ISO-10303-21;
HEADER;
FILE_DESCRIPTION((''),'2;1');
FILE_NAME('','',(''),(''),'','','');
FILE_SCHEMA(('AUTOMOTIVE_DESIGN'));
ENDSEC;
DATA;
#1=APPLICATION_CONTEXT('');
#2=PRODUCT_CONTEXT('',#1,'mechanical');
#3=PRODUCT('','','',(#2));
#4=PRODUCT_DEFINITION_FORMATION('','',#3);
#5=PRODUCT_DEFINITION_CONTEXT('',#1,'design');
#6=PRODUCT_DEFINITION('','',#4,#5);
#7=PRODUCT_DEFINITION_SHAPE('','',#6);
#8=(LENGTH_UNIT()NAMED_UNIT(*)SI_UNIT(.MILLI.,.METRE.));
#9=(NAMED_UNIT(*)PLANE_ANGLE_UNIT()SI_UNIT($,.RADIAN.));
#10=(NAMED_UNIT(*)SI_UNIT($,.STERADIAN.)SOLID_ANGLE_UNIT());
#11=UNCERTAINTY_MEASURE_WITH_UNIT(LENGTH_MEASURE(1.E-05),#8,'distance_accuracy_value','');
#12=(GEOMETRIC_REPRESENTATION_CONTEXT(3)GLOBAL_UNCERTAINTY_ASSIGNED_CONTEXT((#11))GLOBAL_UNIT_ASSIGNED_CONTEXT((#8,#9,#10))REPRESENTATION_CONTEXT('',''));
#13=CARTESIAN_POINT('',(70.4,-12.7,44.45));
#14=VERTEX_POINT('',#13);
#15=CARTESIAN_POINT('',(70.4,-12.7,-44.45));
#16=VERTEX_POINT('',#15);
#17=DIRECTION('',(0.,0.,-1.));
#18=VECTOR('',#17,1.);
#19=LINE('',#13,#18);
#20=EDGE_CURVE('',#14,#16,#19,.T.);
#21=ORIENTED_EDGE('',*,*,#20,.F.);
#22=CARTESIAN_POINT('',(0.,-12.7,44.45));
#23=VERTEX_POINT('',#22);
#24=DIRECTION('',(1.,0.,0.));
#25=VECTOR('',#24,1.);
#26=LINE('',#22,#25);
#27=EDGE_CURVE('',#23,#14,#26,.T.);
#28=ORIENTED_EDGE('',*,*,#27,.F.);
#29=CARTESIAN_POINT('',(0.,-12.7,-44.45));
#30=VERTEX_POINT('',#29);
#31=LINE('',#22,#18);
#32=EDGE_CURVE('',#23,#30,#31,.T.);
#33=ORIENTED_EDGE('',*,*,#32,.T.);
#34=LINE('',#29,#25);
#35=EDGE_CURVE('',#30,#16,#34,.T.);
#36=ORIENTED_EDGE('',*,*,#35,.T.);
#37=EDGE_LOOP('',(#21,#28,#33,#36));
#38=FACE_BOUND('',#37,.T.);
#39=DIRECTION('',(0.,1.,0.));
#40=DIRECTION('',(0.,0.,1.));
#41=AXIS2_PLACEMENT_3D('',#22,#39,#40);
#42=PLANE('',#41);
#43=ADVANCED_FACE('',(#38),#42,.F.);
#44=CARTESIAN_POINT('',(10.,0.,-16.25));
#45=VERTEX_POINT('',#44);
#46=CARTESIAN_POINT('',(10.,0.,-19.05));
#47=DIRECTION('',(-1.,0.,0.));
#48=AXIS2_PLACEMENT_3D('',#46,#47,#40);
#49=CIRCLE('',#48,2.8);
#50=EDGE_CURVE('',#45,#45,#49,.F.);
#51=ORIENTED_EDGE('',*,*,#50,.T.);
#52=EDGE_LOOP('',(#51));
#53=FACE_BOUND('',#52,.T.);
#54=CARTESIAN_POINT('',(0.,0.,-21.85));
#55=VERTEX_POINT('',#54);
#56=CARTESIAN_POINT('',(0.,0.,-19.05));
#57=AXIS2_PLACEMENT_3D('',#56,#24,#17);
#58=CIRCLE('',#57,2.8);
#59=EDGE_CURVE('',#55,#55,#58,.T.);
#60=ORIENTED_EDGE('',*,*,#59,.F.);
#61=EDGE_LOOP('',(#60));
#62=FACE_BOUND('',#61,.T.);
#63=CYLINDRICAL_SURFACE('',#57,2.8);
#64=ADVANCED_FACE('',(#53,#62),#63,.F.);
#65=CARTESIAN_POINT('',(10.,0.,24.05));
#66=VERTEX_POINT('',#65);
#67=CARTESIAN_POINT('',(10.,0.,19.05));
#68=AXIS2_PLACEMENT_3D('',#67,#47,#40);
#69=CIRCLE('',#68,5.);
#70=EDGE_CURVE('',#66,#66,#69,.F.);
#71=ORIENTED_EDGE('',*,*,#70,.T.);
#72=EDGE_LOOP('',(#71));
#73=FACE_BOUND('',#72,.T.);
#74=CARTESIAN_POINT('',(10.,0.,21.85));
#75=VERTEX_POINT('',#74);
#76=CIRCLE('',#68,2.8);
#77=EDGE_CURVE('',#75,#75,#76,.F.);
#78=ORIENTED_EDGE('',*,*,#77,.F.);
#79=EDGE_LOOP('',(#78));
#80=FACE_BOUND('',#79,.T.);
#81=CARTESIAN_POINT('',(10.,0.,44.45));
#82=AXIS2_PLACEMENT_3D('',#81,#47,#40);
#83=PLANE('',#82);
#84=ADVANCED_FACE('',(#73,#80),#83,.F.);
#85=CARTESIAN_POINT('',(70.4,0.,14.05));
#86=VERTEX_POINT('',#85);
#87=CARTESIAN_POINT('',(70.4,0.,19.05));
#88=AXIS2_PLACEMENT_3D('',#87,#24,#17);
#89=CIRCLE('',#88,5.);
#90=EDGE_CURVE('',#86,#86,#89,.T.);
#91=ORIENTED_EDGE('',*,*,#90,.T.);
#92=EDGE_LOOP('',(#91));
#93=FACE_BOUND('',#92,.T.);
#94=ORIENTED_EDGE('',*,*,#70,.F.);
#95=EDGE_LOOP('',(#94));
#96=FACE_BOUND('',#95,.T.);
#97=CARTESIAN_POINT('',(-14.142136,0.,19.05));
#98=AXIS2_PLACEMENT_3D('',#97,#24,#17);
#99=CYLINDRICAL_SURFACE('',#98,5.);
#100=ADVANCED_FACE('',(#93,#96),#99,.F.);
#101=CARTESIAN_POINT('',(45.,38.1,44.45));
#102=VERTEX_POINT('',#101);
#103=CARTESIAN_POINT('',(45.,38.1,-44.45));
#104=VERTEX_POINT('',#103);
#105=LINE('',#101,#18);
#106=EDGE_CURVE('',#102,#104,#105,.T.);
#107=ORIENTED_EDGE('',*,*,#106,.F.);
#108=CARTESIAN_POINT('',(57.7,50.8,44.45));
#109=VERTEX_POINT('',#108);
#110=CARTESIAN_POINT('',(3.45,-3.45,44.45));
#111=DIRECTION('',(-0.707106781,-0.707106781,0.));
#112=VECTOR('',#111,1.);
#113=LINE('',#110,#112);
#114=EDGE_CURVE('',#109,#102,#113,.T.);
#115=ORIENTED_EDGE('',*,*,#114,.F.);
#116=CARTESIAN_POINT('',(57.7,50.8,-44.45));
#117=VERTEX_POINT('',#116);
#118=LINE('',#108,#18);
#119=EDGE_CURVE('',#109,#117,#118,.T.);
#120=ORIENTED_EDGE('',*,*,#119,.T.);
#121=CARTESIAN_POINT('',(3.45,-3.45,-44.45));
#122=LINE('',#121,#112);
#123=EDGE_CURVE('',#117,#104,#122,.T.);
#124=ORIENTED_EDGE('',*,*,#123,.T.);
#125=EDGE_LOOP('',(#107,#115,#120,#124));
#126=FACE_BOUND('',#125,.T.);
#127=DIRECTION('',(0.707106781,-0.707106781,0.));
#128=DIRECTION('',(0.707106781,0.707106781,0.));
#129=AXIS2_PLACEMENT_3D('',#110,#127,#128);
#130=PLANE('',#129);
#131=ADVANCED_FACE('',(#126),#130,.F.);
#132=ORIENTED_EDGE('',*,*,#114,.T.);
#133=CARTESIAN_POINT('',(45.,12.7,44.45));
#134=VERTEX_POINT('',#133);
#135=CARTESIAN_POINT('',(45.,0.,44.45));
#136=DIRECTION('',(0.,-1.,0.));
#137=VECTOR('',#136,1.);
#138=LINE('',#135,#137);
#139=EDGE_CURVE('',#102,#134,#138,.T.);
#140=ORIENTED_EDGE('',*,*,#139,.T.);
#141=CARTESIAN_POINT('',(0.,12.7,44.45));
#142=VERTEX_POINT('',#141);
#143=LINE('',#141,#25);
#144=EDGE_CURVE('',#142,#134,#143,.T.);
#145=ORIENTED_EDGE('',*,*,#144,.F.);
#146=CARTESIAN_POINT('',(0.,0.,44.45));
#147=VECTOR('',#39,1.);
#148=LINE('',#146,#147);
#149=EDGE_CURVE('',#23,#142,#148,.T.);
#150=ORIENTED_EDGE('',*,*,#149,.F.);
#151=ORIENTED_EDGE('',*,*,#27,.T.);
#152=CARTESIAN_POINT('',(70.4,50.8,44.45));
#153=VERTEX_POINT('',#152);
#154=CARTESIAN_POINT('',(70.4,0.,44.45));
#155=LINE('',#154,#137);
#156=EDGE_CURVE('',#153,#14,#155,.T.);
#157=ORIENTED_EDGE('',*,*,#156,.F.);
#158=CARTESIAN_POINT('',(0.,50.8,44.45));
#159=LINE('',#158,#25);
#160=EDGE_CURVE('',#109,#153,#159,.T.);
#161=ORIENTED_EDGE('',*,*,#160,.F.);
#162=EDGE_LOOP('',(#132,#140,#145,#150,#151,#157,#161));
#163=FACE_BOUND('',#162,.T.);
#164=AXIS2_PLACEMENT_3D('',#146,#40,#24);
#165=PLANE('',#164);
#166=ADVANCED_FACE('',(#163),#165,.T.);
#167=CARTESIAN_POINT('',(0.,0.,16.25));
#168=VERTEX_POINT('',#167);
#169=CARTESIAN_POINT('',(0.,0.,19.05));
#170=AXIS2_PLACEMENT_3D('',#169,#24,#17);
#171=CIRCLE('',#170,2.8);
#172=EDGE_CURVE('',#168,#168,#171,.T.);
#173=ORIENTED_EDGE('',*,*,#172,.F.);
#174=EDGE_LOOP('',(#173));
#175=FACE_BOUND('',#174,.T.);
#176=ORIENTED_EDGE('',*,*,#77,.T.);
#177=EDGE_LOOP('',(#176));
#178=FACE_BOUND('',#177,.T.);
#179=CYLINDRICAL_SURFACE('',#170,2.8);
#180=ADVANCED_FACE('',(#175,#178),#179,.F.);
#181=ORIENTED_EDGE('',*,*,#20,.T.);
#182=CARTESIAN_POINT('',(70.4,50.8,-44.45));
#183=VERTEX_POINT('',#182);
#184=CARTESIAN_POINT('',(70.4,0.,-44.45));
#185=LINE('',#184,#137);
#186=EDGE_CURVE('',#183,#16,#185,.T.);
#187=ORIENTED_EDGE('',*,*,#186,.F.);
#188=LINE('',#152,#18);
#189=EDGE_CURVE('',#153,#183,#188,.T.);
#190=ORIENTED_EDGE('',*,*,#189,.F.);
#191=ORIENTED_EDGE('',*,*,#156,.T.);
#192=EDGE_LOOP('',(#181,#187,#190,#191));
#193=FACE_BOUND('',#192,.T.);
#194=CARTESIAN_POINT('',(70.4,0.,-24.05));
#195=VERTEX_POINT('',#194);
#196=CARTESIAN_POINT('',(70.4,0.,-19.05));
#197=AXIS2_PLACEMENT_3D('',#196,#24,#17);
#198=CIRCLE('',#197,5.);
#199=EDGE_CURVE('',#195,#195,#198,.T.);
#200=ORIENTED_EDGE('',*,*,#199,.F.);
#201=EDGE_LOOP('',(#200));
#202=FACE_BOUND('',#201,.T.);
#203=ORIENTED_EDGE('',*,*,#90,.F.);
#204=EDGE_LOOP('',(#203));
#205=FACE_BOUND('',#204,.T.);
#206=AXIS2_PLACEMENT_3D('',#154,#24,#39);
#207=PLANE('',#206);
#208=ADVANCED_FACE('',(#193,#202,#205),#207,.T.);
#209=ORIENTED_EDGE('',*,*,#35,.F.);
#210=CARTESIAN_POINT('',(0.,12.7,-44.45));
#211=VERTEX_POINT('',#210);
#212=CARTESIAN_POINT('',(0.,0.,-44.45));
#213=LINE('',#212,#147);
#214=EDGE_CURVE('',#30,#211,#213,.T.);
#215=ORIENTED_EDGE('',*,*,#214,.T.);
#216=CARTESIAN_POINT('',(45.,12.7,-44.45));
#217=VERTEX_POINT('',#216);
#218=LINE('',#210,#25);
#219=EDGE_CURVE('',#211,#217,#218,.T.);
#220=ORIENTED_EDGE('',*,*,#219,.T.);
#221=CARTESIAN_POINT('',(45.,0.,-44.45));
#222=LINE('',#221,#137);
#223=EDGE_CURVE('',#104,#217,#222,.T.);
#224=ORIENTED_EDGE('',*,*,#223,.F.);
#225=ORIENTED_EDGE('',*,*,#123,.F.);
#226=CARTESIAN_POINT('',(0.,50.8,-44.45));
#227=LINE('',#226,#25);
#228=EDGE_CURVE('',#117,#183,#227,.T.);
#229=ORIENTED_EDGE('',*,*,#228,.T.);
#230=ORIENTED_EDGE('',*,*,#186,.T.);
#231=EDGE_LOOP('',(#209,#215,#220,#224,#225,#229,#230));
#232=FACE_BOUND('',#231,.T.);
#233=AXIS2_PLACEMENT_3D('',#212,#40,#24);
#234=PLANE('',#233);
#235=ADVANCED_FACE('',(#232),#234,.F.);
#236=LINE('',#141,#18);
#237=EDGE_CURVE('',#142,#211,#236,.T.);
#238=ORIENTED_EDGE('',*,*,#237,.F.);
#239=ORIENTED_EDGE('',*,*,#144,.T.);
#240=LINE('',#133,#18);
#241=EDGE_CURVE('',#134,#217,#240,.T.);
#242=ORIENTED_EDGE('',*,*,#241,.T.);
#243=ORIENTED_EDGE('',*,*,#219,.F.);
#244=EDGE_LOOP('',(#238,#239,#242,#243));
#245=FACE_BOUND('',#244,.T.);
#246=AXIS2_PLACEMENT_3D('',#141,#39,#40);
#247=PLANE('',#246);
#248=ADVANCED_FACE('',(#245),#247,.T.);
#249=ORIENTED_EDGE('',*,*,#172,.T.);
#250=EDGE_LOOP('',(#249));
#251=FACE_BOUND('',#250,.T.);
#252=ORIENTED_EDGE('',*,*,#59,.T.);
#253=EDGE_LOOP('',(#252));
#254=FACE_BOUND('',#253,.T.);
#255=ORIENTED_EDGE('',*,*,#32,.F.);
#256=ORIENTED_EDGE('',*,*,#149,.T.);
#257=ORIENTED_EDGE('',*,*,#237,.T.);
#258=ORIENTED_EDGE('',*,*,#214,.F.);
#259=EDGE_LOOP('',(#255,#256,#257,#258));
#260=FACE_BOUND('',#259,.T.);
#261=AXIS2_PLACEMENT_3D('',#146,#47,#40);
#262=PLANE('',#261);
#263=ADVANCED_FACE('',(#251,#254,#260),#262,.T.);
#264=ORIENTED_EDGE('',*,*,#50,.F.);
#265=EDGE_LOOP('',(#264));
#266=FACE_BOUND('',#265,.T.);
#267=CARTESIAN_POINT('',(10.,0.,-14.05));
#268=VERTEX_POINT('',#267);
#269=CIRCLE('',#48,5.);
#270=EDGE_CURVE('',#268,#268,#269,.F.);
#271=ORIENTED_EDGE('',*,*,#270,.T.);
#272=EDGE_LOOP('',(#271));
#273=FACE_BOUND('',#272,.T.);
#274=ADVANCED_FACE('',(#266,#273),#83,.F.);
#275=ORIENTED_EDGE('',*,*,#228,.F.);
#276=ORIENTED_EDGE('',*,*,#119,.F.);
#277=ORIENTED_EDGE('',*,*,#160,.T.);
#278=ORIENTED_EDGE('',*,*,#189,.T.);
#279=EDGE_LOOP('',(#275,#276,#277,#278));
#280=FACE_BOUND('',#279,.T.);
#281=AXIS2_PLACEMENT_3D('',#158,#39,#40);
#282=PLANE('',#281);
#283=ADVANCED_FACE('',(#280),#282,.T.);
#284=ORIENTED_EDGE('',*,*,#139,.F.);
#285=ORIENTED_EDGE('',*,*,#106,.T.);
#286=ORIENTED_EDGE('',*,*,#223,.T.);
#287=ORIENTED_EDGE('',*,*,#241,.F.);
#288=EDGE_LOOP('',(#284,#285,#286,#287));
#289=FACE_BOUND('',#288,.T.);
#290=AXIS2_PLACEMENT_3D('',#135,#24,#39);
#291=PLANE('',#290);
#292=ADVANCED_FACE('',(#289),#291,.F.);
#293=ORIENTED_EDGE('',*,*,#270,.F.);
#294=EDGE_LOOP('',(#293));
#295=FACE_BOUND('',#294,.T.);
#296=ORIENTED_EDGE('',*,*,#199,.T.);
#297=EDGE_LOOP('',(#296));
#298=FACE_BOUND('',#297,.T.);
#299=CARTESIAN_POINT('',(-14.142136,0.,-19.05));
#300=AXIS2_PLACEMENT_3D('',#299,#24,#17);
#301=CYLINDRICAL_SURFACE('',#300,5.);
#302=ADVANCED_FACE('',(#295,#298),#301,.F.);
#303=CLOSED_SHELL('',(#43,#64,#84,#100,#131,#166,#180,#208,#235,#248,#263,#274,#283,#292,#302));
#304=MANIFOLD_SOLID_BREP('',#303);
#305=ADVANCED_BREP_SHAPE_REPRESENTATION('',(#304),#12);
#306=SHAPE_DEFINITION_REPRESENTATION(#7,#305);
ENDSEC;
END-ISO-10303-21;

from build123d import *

# Parameters (mm, degrees)
BOSS_EXTRUDE1_DEPTH = 44.45
SKETCH2_R           = 2.8
CUT_EXTRUDE1_DEPTH  = 98.532571483
SKETCH3_R           = 5
CUT_EXTRUDE2_DEPTH  = 60.4


with BuildPart() as part:
    # Sketch1 → Boss-Extrude1 (new, symmetric)
    with BuildSketch(Plane.XY):
        Polygon((70.4, 50.8), (57.7, 50.8), (45, 38.1), (45, 12.7), (0, 12.7), (0, -12.7), (70.4, -12.7), align=None)
    extrude(amount=BOSS_EXTRUDE1_DEPTH, both=True)

    # Sketch2 → Cut-Extrude1 (cut, through all)
    with BuildSketch(Plane(origin=(70.4, 0, 0), x_dir=(0, 0, -1), z_dir=(1, 0, 0))):
        with Locations((-19.05, 0)):
            Circle(SKETCH2_R)
        with Locations((19.05, 0)):
            Circle(SKETCH2_R)
    extrude(amount=-CUT_EXTRUDE1_DEPTH, mode=Mode.SUBTRACT)

    # Sketch3 → Cut-Extrude2 (cut)
    with BuildSketch(Plane(origin=(70.4, 0, 0), x_dir=(0, 0, -1), z_dir=(1, 0, 0))):
        with Locations((-19.05, 0)):
            Circle(SKETCH3_R)
        with Locations((19.05, 0)):
            Circle(SKETCH3_R)
    extrude(amount=-CUT_EXTRUDE2_DEPTH, mode=Mode.SUBTRACT)


solid = part.part
